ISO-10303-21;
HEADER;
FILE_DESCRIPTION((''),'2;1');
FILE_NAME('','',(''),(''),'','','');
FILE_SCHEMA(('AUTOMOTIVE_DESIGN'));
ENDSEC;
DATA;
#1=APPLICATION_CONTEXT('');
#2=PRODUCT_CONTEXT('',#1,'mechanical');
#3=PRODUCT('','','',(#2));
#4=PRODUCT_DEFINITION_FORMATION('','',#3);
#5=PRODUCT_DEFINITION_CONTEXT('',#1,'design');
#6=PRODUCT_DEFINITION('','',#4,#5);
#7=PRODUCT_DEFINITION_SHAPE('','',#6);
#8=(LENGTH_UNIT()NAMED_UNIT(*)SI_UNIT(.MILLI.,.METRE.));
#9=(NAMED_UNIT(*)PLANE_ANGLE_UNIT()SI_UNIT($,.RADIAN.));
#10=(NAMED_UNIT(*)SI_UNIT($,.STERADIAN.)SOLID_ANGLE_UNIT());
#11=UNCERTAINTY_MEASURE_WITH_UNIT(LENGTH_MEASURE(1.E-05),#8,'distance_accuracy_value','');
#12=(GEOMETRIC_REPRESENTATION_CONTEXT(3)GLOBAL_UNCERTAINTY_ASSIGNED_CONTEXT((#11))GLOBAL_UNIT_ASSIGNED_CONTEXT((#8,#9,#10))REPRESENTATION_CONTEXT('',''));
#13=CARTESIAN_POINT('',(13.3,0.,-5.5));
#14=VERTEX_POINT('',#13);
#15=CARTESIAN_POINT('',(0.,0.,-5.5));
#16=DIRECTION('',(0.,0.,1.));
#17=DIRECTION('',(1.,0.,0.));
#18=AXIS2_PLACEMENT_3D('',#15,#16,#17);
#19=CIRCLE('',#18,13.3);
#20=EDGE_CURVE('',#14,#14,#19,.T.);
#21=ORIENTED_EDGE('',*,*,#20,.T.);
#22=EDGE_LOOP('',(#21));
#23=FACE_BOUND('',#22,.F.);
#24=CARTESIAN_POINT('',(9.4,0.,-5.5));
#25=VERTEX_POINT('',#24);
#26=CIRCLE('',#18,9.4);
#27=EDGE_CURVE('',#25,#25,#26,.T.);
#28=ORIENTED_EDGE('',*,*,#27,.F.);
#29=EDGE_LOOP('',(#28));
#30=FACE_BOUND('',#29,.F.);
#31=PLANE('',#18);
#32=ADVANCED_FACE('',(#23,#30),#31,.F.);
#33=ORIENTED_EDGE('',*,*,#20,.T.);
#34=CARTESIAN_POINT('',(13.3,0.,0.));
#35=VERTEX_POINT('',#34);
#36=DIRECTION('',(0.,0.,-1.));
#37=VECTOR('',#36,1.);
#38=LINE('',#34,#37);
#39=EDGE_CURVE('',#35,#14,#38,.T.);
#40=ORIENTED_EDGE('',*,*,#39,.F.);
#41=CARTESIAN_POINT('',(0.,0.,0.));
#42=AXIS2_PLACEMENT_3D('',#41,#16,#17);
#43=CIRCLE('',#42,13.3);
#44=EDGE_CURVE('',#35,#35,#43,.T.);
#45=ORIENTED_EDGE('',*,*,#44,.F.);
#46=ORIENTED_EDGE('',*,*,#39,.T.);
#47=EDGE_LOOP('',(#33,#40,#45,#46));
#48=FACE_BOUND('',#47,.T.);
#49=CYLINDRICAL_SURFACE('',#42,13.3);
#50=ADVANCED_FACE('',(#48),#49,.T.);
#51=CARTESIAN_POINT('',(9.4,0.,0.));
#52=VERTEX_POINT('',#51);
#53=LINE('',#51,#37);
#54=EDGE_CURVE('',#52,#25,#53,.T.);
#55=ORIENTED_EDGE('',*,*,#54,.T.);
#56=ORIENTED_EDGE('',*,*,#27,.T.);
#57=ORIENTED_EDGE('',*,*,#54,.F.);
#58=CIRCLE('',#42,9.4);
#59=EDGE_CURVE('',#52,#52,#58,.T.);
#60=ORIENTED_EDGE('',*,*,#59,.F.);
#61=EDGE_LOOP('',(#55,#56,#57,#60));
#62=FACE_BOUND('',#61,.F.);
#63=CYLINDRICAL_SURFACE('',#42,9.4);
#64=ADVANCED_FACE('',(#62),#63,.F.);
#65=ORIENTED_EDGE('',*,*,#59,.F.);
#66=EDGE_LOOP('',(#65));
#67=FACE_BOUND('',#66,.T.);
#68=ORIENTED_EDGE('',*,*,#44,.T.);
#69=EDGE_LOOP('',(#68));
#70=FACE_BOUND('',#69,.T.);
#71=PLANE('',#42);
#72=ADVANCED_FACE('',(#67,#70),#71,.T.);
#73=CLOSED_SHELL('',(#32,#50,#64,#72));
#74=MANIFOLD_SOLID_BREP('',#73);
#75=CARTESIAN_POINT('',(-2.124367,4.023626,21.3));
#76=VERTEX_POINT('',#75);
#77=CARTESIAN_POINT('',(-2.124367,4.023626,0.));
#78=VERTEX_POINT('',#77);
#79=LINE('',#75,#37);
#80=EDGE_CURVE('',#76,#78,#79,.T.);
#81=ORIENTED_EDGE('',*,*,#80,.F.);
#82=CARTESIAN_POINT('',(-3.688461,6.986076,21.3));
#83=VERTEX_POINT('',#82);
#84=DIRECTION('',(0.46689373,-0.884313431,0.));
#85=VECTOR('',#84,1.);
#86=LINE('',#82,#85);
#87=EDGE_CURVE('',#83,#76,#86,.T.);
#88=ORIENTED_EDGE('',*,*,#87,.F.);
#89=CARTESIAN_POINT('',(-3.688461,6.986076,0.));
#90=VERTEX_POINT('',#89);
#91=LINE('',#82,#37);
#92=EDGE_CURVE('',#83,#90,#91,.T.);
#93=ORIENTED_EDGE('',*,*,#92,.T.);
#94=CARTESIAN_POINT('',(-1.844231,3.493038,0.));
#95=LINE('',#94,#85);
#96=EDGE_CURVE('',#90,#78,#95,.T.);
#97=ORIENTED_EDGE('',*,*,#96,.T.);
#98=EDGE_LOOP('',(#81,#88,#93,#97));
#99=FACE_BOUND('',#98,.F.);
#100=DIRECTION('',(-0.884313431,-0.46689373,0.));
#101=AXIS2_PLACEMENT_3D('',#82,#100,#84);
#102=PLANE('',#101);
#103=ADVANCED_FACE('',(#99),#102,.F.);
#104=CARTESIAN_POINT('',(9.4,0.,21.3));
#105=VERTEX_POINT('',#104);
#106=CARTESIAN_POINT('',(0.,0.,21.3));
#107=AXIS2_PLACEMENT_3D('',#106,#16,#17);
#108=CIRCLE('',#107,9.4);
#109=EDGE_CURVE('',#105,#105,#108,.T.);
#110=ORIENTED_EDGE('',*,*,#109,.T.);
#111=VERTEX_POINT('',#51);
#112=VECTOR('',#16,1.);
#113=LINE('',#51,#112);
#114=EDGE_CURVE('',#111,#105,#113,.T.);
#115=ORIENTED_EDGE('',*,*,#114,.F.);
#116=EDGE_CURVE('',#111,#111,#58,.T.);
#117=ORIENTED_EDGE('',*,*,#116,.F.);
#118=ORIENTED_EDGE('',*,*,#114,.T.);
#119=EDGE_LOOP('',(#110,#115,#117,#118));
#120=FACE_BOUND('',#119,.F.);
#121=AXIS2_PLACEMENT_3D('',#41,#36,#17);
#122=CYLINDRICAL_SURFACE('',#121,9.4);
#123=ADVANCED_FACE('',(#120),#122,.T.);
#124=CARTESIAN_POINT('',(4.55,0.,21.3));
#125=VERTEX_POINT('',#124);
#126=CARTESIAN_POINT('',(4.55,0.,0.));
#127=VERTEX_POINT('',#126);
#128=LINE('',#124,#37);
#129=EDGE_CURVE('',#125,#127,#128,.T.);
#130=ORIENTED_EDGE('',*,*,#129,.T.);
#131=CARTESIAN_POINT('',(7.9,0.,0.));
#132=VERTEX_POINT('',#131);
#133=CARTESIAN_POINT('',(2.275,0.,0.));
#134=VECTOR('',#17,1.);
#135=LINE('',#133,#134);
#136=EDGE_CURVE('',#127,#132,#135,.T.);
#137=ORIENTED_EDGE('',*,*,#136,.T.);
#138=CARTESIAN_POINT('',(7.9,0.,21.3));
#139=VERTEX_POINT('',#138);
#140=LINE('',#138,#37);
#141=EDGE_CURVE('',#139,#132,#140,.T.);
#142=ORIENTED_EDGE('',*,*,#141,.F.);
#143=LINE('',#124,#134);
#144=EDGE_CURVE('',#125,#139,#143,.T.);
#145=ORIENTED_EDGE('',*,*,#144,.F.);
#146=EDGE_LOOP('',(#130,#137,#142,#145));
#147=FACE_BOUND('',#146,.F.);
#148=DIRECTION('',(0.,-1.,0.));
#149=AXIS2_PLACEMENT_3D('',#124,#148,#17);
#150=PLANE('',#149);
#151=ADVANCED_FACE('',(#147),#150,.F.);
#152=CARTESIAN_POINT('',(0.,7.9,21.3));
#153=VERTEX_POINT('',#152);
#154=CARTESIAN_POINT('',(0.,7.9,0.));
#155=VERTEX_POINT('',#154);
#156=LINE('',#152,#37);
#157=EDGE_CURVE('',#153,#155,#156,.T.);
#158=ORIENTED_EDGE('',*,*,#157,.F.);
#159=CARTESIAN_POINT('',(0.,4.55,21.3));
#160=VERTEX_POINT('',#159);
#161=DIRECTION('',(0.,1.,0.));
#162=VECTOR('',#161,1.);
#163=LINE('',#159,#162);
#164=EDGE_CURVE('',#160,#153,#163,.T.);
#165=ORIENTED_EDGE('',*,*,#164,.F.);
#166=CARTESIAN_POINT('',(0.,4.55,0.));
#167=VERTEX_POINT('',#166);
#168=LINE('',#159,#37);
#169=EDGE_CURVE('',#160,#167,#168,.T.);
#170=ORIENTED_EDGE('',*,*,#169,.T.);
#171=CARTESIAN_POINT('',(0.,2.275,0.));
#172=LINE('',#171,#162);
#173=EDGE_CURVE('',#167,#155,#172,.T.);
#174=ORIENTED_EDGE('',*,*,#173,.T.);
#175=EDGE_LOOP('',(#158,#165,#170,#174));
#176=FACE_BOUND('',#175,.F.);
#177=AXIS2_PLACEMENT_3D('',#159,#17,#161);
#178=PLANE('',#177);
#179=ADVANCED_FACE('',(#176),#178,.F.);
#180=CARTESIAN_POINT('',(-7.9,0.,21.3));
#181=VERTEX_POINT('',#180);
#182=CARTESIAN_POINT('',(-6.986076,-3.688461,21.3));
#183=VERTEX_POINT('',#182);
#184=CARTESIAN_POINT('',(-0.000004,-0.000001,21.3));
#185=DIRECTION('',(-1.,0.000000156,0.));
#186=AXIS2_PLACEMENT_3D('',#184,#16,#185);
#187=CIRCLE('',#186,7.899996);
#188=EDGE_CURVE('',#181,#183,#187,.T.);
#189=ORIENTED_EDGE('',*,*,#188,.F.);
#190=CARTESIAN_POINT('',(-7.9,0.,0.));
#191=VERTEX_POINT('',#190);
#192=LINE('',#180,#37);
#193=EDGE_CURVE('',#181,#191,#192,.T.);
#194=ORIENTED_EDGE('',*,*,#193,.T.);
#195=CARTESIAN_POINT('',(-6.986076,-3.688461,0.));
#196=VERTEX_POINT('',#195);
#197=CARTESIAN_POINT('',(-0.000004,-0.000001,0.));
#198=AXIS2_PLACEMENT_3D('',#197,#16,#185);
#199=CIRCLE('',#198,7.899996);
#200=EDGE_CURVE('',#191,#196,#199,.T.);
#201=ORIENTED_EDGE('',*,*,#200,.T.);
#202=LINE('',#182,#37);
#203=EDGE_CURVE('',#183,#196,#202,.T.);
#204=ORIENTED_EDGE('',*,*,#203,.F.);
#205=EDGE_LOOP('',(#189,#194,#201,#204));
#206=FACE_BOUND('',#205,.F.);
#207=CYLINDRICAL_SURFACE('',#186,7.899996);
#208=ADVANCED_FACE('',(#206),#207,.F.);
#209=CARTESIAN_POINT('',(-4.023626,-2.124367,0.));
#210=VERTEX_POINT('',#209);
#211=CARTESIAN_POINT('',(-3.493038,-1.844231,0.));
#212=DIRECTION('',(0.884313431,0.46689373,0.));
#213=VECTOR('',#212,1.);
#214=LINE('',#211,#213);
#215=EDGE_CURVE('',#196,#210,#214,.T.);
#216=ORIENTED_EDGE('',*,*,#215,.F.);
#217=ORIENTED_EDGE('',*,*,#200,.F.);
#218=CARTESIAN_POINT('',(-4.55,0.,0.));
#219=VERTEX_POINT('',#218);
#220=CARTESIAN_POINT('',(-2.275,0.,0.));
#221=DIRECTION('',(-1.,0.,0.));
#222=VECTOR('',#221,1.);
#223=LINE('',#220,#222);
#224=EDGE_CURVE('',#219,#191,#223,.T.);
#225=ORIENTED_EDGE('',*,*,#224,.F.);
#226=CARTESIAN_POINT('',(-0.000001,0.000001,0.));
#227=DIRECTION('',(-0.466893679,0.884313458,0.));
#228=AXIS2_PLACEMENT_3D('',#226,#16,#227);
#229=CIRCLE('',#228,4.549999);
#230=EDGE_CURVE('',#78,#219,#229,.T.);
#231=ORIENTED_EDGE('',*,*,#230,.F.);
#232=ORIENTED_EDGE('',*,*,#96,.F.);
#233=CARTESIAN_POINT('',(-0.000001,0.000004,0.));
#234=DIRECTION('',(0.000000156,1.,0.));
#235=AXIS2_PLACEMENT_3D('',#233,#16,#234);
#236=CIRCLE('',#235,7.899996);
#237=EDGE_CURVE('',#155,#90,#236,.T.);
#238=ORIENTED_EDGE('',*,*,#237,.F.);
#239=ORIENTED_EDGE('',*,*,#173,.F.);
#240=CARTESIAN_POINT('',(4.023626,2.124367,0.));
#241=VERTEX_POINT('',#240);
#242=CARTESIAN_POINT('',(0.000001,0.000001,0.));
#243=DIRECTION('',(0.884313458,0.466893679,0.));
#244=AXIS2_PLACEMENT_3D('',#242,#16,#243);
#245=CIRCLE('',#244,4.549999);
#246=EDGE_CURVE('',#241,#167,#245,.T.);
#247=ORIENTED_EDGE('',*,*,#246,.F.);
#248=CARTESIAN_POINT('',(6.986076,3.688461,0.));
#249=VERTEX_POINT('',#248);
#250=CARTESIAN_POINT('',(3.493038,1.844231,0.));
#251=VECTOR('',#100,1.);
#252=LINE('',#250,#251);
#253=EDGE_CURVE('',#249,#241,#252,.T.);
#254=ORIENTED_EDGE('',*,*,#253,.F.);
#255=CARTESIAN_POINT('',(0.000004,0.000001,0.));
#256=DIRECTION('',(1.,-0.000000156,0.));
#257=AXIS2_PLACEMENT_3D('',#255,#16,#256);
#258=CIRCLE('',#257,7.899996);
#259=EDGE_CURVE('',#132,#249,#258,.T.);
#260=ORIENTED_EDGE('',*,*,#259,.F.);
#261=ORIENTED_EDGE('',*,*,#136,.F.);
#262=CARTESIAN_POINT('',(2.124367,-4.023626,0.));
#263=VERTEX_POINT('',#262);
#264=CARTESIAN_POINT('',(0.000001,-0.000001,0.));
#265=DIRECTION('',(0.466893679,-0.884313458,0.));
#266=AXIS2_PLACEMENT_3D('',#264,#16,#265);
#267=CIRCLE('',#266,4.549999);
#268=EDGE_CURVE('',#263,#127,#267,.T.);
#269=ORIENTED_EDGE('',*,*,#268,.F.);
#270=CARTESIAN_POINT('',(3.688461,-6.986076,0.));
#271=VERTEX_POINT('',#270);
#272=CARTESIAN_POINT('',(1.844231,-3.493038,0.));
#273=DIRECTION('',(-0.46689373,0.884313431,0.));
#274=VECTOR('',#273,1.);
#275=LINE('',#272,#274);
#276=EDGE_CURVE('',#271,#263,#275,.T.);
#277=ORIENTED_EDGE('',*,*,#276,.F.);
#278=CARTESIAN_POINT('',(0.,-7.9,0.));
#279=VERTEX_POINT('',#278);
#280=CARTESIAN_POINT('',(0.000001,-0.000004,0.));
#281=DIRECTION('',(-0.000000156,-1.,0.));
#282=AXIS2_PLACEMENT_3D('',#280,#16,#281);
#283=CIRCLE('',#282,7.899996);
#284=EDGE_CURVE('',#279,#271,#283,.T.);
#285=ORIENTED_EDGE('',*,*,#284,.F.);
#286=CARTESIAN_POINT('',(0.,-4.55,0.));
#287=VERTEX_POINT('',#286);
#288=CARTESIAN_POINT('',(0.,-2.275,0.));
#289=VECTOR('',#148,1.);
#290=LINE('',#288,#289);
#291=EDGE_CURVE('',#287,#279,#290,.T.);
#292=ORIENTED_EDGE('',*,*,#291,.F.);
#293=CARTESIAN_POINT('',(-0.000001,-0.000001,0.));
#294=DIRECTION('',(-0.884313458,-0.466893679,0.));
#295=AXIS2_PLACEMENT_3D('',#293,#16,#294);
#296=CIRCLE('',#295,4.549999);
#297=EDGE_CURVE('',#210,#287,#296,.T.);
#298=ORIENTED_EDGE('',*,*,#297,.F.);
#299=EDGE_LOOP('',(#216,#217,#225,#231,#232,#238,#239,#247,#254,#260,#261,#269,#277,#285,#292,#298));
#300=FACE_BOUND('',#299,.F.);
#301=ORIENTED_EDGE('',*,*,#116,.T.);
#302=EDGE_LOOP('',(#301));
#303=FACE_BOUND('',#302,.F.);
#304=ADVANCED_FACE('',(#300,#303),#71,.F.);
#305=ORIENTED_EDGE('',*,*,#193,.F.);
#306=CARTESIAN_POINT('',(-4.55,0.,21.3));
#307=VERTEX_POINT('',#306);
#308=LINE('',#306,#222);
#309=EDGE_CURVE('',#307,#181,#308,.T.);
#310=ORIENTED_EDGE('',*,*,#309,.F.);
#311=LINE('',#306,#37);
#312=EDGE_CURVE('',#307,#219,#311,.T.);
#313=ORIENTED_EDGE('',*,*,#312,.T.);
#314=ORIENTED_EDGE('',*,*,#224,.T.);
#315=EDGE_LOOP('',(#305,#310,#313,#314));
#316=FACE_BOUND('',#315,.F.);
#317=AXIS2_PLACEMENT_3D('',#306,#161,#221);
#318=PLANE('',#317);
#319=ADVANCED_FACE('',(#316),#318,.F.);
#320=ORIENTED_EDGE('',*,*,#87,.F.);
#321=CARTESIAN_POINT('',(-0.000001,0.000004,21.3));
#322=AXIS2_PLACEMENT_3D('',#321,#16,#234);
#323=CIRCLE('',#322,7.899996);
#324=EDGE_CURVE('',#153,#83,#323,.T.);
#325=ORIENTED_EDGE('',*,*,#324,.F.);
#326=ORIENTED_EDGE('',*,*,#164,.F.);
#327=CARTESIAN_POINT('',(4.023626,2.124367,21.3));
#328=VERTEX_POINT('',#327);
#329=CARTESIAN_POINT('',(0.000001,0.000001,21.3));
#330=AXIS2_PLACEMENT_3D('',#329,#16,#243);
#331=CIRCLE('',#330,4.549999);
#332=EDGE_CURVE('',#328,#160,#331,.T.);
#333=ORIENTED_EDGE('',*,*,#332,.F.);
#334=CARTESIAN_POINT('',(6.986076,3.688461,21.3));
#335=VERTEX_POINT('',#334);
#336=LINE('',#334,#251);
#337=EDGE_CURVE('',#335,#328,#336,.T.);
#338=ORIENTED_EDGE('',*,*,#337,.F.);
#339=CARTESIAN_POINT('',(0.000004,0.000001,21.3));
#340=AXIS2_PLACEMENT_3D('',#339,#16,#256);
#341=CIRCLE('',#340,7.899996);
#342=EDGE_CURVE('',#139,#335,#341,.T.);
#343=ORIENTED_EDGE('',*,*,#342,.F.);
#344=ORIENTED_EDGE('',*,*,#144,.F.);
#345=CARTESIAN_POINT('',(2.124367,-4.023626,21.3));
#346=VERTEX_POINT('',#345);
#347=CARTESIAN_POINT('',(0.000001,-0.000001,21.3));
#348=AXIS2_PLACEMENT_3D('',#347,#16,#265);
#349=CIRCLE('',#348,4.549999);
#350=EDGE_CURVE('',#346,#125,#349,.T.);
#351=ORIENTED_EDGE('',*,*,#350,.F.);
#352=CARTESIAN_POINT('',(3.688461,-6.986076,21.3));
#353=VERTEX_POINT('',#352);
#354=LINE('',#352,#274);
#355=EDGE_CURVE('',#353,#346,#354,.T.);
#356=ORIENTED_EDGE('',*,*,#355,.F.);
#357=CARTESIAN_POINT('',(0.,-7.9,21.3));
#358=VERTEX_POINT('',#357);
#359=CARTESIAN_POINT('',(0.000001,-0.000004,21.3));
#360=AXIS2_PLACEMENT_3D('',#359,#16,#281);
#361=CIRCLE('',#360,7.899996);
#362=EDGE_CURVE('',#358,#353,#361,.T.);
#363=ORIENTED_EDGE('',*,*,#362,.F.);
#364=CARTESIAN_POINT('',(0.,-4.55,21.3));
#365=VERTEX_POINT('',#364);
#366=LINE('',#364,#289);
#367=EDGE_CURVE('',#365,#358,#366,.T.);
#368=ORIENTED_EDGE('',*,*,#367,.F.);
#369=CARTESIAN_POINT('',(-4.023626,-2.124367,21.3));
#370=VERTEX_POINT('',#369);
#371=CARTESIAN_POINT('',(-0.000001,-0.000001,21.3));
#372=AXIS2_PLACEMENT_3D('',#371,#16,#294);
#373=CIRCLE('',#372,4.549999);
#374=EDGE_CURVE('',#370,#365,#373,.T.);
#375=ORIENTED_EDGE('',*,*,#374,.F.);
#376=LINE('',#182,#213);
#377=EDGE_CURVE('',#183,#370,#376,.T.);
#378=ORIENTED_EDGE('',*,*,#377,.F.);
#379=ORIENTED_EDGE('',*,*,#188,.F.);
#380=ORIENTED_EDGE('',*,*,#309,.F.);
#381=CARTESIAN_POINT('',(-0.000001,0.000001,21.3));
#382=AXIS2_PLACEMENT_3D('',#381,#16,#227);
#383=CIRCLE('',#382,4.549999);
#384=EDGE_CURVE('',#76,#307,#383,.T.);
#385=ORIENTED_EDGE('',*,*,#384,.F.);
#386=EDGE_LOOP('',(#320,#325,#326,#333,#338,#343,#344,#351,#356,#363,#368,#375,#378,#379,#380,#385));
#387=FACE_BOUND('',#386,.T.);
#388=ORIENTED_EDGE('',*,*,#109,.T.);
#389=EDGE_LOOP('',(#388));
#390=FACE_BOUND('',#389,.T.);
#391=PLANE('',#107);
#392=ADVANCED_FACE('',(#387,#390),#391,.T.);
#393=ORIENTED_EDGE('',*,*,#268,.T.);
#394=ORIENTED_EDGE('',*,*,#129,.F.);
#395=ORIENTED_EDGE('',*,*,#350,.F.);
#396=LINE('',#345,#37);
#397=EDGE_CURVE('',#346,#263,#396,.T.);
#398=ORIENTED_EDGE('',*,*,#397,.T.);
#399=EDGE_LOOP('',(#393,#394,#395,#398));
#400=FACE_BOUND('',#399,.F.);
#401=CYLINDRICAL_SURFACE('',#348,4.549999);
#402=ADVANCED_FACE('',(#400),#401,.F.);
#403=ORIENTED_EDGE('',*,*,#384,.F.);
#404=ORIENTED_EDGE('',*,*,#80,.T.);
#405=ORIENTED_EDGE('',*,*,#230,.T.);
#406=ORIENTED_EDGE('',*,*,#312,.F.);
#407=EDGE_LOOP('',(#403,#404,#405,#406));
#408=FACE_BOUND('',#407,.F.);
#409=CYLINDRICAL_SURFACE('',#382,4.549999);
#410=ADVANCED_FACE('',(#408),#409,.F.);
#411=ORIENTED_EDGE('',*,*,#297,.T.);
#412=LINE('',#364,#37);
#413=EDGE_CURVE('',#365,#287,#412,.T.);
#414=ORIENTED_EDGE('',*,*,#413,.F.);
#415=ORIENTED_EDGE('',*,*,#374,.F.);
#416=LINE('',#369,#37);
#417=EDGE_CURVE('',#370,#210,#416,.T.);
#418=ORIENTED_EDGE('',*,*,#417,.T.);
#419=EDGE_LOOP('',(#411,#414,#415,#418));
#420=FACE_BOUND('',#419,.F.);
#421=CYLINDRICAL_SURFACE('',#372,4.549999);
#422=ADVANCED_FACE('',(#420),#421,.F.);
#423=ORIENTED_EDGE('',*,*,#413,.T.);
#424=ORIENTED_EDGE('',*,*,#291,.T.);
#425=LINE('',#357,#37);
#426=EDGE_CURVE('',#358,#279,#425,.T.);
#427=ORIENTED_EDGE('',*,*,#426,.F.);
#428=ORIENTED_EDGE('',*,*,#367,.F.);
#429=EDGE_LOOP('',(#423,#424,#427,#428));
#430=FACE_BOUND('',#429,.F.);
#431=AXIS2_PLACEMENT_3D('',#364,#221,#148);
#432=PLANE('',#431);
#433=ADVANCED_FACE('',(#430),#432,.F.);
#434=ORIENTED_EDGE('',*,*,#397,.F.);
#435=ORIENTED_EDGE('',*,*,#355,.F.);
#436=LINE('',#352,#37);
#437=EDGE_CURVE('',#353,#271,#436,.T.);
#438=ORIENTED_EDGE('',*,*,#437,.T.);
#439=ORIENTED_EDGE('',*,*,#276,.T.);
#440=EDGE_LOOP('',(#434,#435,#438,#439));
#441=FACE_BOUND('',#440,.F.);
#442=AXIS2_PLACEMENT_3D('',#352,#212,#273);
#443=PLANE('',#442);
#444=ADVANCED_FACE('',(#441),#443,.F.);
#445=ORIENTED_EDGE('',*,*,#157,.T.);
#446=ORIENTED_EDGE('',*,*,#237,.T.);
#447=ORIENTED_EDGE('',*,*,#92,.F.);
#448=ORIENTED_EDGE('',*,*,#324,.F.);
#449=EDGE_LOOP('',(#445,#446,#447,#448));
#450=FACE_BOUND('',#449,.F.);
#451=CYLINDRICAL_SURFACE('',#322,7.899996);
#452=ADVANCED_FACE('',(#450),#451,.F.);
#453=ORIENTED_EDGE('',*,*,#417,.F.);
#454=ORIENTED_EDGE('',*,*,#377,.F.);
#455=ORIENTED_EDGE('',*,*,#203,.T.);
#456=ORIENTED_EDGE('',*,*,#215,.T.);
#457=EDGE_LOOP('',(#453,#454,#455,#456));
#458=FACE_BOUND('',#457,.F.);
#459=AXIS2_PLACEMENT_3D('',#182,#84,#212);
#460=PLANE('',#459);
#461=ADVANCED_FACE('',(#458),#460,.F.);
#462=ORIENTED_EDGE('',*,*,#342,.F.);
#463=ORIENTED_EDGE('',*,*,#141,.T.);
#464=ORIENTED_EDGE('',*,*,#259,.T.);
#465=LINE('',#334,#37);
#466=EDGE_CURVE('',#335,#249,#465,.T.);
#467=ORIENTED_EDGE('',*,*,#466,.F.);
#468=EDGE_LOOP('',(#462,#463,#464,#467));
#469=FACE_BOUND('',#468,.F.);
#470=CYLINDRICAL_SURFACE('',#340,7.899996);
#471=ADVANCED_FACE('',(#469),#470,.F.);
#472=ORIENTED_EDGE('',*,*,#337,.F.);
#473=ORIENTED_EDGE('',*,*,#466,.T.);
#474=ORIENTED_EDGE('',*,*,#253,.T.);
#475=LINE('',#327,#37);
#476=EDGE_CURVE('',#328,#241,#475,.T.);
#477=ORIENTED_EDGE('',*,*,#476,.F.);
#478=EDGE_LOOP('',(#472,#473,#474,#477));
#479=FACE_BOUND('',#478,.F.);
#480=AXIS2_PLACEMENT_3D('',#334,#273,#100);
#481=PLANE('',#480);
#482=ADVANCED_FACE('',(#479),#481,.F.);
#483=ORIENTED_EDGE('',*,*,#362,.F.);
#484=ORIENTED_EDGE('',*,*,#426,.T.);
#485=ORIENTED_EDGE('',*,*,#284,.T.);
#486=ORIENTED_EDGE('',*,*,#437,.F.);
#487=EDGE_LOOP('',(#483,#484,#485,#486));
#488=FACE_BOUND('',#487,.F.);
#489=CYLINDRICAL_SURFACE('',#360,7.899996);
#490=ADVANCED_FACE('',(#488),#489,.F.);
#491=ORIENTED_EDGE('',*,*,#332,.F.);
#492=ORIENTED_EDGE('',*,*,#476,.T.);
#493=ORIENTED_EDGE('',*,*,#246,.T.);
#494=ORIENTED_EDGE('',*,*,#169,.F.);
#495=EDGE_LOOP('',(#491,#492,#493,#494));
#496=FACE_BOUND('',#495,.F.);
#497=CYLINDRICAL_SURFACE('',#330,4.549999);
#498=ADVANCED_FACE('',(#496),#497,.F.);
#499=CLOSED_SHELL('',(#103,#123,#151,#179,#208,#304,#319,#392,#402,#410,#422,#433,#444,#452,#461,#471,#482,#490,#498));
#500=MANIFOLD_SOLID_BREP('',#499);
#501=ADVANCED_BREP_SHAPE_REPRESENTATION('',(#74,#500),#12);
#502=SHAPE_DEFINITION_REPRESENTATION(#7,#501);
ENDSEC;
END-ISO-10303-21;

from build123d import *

# Parameters (mm, degrees)
F0_R     = 13.3
F0_R_2   = 9.4
F1_DEPTH = 5.5
F2_R     = 9.4
F3_DEPTH = 21.3
F6_DEPTH = 25


with BuildPart() as f1:
    # F0 (on Top) → F1 (new body)
    with BuildSketch(Plane.XY):
        Circle(F0_R)
        Circle(F0_R_2, mode=Mode.SUBTRACT)
    extrude(amount=-F1_DEPTH)


with BuildPart() as f3:
    # F2 (on Top) → F3 (new body)
    with BuildSketch(Plane.XY):
        Circle(F2_R)
    extrude(amount=F3_DEPTH)

    # F5 (on face) → F6 (cut)
    with BuildSketch(Plane.XY.offset(21.3)):
        with BuildLine():
            Line((4.55, 0), (7.9, 0))
            ThreePointArc((7.9, 0), (7.668116, 1.9), (6.986076, 3.688461))
            Line((6.986076, 3.688461), (4.023626, 2.124367))
            ThreePointArc((4.023626, 2.124367), (2.34911, 3.896689), (0, 4.55))
            Line((0, 4.55), (0, 7.9))
            ThreePointArc((0, 7.9), (-1.9, 7.668116), (-3.688461, 6.986076))
            Line((-3.688461, 6.986076), (-2.124367, 4.023626))
            ThreePointArc((-2.124367, 4.023626), (-3.896689, 2.34911), (-4.55, 0))
            Line((-4.55, 0), (-7.9, 0))
            ThreePointArc((-7.9, 0), (-7.668116, -1.9), (-6.986076, -3.688461))
            Line((-6.986076, -3.688461), (-4.023626, -2.124367))
            ThreePointArc((-4.023626, -2.124367), (-2.34911, -3.896689), (0, -4.55))
            Line((0, -4.55), (0, -7.9))
            ThreePointArc((0, -7.9), (1.9, -7.668116), (3.688461, -6.986076))
            Line((3.688461, -6.986076), (2.124367, -4.023626))
            ThreePointArc((2.124367, -4.023626), (3.896689, -2.34911), (4.55, 0))
        make_face()
    extrude(amount=-F6_DEPTH, mode=Mode.SUBTRACT)


solid = Compound([f1.part, f3.part])
